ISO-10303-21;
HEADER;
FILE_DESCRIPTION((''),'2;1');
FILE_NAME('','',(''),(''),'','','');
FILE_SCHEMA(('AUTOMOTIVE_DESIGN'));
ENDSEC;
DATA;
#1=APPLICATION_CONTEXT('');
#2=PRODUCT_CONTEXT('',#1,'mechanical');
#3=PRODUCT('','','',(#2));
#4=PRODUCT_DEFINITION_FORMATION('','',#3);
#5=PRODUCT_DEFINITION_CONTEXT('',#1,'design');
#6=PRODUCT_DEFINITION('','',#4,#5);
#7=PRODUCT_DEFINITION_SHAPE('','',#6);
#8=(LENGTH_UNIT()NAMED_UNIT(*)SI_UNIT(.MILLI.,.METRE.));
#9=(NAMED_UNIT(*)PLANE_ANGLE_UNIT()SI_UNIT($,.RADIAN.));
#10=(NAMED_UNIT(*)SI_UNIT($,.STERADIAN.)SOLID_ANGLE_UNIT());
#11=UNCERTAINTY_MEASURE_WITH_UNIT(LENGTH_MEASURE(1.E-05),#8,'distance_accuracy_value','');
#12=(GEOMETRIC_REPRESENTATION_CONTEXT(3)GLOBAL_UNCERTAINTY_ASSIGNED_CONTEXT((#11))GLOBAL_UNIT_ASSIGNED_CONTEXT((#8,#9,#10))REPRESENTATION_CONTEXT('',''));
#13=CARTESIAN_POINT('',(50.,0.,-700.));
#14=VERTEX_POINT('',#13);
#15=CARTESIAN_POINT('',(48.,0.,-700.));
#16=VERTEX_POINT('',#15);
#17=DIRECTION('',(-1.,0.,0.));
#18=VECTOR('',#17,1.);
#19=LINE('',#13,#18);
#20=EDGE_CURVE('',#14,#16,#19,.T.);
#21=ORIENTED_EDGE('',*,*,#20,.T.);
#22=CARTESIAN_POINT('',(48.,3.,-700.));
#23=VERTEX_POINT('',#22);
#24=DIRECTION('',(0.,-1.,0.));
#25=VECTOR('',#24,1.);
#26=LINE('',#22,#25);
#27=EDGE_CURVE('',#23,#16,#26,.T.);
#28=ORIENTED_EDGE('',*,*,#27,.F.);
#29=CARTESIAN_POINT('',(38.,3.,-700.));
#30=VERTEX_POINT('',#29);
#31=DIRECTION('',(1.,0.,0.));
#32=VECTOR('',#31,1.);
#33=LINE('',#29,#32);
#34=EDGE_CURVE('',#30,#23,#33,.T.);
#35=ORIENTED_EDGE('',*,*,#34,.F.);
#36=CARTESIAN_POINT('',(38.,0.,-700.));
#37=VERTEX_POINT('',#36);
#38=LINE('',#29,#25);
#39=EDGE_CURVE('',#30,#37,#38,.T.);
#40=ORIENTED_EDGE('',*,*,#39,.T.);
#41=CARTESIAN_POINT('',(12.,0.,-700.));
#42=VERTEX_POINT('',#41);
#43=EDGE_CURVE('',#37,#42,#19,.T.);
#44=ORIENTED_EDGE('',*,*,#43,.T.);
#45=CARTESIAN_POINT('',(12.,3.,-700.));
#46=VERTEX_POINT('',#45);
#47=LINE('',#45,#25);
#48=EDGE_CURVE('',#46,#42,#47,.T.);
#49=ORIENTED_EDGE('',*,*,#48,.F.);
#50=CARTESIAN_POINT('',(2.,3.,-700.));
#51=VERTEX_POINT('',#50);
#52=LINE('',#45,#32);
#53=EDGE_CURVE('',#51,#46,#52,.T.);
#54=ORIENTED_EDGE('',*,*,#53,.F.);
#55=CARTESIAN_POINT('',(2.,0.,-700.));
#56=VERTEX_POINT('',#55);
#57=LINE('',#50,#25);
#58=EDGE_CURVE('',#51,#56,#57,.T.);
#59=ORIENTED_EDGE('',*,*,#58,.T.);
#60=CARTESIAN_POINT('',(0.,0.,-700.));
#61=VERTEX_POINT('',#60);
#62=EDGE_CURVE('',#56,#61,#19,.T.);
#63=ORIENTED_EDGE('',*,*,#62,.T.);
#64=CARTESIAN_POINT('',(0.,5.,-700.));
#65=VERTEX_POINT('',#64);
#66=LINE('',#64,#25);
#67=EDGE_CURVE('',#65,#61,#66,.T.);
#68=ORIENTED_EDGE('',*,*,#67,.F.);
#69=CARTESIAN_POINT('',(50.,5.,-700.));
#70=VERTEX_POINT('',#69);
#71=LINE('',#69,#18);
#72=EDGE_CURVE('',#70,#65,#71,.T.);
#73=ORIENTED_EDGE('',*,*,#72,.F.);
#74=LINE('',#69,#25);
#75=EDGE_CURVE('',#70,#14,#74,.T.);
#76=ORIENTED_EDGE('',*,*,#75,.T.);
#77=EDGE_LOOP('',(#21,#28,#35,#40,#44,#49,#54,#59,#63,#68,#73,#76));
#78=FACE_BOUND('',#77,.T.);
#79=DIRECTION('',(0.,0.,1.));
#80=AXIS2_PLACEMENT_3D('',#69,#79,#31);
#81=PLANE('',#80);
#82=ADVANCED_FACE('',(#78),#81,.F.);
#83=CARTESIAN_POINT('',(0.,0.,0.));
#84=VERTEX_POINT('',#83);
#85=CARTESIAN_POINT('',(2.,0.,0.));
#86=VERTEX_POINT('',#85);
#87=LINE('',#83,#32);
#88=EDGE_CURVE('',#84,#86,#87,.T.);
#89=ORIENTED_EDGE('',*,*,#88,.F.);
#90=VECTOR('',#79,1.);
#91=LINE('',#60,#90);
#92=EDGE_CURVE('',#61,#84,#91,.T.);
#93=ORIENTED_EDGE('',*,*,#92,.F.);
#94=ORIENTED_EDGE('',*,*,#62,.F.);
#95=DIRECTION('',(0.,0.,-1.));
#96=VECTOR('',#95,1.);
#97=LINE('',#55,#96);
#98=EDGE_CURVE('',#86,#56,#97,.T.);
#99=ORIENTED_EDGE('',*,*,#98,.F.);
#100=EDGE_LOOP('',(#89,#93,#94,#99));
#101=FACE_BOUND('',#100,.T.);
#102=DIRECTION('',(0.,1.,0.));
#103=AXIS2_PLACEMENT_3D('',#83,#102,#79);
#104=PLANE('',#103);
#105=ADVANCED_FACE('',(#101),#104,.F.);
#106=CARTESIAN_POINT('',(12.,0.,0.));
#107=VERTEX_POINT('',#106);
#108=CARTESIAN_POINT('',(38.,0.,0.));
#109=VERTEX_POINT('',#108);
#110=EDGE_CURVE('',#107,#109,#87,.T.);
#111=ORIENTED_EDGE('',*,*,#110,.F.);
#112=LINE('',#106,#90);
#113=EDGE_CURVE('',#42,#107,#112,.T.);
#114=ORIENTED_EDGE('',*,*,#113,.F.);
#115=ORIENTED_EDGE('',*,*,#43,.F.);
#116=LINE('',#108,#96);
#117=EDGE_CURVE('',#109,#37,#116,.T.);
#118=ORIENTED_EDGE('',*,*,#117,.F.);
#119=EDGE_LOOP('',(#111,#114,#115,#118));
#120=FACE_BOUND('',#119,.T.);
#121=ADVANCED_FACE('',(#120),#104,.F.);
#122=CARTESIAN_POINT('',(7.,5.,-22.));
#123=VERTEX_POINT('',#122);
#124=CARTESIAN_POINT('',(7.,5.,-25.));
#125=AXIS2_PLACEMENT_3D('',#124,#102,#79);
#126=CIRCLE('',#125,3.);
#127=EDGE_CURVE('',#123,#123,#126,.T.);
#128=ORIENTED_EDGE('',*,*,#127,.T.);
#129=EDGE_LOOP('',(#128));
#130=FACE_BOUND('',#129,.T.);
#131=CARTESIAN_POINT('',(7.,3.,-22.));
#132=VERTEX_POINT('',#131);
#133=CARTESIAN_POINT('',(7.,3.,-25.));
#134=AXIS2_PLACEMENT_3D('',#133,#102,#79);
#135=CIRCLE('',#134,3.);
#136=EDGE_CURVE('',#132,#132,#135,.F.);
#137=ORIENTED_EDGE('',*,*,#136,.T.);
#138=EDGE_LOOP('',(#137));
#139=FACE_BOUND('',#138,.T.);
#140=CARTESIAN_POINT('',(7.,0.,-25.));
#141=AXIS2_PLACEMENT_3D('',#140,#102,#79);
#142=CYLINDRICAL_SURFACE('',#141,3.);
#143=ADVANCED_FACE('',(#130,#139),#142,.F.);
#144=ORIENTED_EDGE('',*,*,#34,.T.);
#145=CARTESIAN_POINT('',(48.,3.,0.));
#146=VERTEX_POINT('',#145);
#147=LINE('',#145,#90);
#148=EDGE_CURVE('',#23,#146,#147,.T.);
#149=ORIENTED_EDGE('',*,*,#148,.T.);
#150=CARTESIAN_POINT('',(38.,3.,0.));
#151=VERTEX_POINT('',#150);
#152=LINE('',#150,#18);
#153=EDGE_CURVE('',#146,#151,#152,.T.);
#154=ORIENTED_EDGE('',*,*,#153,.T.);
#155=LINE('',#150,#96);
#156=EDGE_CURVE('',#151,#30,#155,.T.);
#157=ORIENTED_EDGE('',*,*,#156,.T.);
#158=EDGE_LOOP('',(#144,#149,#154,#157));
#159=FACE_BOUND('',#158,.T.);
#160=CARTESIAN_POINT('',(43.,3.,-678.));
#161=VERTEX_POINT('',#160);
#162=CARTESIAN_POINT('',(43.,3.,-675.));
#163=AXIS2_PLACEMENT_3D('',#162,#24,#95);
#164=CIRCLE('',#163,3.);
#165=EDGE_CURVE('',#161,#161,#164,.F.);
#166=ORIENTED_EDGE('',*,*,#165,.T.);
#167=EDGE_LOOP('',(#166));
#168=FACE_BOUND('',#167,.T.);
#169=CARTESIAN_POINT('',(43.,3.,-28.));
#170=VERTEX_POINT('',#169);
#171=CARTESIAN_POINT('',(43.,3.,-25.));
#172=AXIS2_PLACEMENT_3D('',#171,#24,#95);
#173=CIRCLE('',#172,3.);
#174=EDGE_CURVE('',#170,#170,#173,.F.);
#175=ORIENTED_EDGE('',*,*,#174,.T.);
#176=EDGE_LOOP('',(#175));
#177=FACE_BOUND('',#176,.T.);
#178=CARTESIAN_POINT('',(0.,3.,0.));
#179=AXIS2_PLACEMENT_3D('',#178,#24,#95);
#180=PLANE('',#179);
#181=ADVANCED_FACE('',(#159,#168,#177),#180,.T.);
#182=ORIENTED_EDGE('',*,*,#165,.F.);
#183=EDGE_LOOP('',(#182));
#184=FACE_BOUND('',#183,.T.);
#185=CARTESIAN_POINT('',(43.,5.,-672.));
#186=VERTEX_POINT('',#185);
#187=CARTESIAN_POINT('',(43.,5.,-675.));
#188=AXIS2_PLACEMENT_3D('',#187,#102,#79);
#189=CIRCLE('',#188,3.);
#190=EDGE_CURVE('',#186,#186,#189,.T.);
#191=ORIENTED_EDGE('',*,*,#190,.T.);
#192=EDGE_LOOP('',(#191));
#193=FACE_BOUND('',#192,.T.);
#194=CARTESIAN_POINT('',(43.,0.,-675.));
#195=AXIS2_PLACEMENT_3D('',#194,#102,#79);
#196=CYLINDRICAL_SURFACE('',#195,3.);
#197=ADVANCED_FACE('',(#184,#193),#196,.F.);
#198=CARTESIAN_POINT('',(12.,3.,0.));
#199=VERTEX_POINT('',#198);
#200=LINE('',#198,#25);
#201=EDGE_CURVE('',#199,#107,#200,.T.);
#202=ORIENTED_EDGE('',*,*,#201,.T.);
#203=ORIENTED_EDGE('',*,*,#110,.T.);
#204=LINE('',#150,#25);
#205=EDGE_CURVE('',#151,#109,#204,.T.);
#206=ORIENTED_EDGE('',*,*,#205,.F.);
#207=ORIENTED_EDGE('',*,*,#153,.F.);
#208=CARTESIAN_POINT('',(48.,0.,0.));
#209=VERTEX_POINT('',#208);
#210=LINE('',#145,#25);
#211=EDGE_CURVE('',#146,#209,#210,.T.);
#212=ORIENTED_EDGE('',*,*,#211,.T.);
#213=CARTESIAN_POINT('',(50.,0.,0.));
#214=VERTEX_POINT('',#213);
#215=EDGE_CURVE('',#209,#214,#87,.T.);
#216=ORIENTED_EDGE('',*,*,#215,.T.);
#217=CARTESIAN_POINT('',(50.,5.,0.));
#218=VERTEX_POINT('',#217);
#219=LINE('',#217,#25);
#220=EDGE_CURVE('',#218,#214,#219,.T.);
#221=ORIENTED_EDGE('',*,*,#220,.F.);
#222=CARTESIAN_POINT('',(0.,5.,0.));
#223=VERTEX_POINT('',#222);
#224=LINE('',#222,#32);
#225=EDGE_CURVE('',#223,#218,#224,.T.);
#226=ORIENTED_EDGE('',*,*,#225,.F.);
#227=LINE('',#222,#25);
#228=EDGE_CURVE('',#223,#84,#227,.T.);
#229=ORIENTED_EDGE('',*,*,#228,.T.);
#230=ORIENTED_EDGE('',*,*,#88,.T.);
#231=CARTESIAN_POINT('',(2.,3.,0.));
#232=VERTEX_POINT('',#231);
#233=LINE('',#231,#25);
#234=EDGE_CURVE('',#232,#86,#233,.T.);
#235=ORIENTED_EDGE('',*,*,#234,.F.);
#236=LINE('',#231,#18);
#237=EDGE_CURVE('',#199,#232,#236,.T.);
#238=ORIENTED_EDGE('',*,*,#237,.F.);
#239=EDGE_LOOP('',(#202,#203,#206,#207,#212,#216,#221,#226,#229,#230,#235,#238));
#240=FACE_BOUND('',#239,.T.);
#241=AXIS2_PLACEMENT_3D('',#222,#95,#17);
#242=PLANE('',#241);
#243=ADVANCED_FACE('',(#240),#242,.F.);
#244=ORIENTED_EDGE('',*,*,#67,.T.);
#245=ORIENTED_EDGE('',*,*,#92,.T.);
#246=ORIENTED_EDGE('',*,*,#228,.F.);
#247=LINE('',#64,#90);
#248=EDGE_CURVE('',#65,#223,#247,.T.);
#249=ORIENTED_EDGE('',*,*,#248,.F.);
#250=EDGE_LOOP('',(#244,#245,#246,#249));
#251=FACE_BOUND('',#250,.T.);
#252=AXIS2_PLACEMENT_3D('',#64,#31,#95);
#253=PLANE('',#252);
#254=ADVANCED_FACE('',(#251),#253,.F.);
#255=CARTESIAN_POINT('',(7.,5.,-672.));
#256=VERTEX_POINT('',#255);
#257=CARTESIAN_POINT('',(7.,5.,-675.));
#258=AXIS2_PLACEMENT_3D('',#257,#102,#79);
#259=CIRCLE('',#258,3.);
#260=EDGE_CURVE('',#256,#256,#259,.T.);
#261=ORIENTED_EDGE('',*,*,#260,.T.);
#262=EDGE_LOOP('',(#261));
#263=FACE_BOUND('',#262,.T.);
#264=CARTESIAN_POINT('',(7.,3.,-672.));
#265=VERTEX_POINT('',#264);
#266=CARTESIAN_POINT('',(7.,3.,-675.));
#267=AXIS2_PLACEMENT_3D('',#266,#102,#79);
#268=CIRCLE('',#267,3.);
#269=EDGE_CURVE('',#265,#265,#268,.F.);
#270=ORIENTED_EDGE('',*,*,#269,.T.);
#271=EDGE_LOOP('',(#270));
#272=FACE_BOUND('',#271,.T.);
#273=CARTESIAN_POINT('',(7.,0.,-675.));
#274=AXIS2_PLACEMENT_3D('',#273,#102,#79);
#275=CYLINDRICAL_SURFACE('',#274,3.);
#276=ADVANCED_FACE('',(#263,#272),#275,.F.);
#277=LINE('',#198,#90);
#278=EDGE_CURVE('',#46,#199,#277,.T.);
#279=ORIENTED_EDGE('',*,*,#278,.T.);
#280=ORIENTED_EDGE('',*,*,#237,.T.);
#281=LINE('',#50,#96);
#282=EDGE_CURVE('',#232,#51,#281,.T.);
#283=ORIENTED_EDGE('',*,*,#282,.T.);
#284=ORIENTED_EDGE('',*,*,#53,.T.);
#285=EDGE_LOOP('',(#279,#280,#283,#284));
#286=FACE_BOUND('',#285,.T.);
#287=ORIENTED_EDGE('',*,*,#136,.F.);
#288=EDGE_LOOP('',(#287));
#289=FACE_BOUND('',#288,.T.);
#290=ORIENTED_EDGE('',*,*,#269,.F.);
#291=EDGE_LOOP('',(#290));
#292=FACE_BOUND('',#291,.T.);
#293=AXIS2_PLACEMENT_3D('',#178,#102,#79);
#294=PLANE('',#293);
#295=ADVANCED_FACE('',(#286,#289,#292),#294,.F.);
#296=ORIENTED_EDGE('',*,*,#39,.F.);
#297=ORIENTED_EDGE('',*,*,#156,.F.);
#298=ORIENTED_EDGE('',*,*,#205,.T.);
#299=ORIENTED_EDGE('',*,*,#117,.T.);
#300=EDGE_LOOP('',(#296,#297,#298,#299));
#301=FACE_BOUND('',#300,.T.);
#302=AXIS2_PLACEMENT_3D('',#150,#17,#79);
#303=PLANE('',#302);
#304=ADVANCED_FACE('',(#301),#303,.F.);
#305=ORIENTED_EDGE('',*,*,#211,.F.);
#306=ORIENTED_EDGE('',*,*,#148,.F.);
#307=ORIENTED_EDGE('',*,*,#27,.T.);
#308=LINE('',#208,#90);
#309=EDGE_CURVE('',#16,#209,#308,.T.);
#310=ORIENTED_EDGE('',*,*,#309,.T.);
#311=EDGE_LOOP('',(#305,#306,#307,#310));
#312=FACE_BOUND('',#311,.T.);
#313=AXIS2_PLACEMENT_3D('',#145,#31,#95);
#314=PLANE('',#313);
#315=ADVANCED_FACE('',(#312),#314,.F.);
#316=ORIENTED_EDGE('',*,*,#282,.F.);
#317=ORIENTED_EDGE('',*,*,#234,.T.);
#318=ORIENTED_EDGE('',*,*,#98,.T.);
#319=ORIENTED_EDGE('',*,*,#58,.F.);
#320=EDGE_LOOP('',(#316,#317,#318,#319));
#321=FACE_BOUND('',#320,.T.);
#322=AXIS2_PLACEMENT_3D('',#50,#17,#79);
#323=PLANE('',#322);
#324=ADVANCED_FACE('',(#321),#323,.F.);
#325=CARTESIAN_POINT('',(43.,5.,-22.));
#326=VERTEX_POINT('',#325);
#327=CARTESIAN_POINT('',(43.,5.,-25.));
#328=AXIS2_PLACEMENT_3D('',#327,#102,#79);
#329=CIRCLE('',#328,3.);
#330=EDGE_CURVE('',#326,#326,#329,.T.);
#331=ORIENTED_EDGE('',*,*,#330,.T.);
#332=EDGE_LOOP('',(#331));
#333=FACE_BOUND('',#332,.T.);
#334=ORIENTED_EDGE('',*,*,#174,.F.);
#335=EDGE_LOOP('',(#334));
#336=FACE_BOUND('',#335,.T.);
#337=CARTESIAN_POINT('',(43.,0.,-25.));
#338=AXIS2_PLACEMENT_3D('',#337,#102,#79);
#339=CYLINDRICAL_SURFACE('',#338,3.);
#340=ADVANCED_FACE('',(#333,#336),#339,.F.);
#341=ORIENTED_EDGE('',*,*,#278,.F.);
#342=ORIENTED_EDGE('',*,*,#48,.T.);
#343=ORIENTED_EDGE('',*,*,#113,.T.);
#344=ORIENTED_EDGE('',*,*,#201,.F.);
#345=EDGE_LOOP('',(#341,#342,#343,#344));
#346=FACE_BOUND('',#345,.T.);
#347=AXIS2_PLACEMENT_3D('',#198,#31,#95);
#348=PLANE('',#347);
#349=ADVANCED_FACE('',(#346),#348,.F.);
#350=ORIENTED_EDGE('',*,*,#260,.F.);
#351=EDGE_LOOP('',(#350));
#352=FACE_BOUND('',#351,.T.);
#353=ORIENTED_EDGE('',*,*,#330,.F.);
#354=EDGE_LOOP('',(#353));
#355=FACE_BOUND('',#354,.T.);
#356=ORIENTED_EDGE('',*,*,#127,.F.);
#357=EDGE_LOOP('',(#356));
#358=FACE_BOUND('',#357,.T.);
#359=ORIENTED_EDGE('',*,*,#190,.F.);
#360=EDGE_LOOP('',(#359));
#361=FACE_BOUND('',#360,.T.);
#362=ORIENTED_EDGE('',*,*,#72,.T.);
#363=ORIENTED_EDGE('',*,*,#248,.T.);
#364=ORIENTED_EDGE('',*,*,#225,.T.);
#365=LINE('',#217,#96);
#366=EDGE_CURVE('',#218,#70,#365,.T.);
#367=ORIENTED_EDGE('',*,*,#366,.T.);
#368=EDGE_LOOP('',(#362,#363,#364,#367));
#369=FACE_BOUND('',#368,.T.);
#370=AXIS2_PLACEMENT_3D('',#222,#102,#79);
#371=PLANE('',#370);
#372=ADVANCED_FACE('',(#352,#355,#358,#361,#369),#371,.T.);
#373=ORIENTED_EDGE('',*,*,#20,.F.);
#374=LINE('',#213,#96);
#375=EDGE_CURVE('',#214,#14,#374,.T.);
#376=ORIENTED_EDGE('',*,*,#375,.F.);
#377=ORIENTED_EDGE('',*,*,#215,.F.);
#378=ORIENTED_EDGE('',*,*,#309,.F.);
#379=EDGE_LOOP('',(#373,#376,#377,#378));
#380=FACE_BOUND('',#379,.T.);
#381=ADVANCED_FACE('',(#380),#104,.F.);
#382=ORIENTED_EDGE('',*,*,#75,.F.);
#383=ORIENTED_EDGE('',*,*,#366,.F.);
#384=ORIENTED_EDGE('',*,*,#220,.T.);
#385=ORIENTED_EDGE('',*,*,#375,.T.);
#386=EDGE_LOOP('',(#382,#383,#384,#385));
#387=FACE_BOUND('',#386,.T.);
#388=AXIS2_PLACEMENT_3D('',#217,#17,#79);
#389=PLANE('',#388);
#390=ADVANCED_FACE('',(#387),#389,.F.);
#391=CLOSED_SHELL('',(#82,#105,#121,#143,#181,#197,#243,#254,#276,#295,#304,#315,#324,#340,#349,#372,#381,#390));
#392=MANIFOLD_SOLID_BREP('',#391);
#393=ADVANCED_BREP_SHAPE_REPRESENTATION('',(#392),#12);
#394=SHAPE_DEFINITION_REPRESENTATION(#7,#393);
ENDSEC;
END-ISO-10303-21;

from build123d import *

# Parameters (mm, degrees)
SKETCH1_W           = 50
SKETCH1_H           = 700
BOSS_EXTRUDE1_DEPTH = 5
SKETCH6_R           = 3
CUT_EXTRUDE3_DEPTH  = 6
SKETCH11_W          = 10
SKETCH11_H          = 700
CUT_EXTRUDE4_DEPTH  = 3


with BuildPart() as part:
    # Sketch1 → Boss-Extrude1 (new body)
    with BuildSketch(Plane(origin=(0, 0, 0), x_dir=(1, 0, 0), z_dir=(0, 1, 0))):
        with Locations((25, 350)):
            Rectangle(SKETCH1_W, SKETCH1_H)
    extrude(amount=BOSS_EXTRUDE1_DEPTH)

    # Sketch6 → Cut-Extrude3 (cut, through all)
    with BuildSketch(Plane(origin=(0, 5, 0), x_dir=(1, 0, 0), z_dir=(0, 1, 0))):
        with Locations((43, 25)):
            Circle(SKETCH6_R)
        with Locations((7, 25)):
            Circle(SKETCH6_R)
        with Locations((43, 675)):
            Circle(SKETCH6_R)
        with Locations((7, 675)):
            Circle(SKETCH6_R)
    extrude(amount=-CUT_EXTRUDE3_DEPTH, mode=Mode.SUBTRACT)

    # Sketch11 → Cut-Extrude4 (cut)
    with BuildSketch(Plane.XZ):
        with Locations((7, -350)):
            Rectangle(SKETCH11_W, SKETCH11_H)
        with Locations((43, -350)):
            Rectangle(SKETCH11_W, SKETCH11_H)
    extrude(amount=-CUT_EXTRUDE4_DEPTH, mode=Mode.SUBTRACT)


solid = part.part
